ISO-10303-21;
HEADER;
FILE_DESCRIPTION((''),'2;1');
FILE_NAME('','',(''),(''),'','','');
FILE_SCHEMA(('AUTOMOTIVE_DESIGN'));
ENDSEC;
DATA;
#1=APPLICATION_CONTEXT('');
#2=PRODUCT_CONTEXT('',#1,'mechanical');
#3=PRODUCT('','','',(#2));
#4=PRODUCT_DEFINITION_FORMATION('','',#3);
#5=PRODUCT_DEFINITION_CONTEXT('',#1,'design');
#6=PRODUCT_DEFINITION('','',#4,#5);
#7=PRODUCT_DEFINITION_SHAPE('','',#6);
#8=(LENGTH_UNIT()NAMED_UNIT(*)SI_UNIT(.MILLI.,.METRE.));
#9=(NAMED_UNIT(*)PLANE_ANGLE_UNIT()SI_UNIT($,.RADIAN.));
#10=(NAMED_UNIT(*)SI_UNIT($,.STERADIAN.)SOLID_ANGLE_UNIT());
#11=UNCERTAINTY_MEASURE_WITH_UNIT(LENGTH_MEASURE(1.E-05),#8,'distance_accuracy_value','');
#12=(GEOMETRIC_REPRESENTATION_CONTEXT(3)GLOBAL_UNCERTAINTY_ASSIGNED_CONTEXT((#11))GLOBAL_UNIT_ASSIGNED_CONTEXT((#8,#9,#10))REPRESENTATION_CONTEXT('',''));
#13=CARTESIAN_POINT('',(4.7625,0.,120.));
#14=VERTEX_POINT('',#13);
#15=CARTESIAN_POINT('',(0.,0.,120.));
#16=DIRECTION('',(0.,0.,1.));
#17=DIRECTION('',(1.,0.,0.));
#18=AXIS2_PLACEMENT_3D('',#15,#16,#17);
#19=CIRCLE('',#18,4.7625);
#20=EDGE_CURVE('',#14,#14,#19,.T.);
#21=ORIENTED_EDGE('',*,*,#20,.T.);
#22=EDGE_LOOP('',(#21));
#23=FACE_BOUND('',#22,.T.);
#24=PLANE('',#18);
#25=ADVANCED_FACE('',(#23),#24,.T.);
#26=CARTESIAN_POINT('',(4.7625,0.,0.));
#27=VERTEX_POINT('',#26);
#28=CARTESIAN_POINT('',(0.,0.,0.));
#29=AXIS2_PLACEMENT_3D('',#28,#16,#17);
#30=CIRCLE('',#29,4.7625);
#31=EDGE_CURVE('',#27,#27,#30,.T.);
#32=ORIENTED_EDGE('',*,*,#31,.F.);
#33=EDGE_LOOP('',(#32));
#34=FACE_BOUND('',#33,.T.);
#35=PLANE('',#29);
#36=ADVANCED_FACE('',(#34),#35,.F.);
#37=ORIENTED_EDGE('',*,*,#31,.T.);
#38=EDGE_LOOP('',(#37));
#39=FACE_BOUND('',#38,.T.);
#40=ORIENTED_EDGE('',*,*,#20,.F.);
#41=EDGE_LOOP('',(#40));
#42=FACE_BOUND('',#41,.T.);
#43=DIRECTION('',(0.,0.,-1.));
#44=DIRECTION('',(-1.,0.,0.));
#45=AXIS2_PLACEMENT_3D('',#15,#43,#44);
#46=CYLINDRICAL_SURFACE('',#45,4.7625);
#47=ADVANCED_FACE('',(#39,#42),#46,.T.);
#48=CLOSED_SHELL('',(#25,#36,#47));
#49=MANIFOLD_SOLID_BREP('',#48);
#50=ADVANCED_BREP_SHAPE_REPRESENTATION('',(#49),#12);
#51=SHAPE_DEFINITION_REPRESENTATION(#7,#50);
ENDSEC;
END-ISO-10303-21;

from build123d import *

# Parameters (mm, degrees)
SKETCH1_R           = 4.7625
BOSS_EXTRUDE1_DEPTH = 120


with BuildPart() as part:
    # Sketch1 → Boss-Extrude1 (new body)
    with BuildSketch(Plane.XY):
        Circle(SKETCH1_R)
    extrude(amount=BOSS_EXTRUDE1_DEPTH)


solid = part.part
